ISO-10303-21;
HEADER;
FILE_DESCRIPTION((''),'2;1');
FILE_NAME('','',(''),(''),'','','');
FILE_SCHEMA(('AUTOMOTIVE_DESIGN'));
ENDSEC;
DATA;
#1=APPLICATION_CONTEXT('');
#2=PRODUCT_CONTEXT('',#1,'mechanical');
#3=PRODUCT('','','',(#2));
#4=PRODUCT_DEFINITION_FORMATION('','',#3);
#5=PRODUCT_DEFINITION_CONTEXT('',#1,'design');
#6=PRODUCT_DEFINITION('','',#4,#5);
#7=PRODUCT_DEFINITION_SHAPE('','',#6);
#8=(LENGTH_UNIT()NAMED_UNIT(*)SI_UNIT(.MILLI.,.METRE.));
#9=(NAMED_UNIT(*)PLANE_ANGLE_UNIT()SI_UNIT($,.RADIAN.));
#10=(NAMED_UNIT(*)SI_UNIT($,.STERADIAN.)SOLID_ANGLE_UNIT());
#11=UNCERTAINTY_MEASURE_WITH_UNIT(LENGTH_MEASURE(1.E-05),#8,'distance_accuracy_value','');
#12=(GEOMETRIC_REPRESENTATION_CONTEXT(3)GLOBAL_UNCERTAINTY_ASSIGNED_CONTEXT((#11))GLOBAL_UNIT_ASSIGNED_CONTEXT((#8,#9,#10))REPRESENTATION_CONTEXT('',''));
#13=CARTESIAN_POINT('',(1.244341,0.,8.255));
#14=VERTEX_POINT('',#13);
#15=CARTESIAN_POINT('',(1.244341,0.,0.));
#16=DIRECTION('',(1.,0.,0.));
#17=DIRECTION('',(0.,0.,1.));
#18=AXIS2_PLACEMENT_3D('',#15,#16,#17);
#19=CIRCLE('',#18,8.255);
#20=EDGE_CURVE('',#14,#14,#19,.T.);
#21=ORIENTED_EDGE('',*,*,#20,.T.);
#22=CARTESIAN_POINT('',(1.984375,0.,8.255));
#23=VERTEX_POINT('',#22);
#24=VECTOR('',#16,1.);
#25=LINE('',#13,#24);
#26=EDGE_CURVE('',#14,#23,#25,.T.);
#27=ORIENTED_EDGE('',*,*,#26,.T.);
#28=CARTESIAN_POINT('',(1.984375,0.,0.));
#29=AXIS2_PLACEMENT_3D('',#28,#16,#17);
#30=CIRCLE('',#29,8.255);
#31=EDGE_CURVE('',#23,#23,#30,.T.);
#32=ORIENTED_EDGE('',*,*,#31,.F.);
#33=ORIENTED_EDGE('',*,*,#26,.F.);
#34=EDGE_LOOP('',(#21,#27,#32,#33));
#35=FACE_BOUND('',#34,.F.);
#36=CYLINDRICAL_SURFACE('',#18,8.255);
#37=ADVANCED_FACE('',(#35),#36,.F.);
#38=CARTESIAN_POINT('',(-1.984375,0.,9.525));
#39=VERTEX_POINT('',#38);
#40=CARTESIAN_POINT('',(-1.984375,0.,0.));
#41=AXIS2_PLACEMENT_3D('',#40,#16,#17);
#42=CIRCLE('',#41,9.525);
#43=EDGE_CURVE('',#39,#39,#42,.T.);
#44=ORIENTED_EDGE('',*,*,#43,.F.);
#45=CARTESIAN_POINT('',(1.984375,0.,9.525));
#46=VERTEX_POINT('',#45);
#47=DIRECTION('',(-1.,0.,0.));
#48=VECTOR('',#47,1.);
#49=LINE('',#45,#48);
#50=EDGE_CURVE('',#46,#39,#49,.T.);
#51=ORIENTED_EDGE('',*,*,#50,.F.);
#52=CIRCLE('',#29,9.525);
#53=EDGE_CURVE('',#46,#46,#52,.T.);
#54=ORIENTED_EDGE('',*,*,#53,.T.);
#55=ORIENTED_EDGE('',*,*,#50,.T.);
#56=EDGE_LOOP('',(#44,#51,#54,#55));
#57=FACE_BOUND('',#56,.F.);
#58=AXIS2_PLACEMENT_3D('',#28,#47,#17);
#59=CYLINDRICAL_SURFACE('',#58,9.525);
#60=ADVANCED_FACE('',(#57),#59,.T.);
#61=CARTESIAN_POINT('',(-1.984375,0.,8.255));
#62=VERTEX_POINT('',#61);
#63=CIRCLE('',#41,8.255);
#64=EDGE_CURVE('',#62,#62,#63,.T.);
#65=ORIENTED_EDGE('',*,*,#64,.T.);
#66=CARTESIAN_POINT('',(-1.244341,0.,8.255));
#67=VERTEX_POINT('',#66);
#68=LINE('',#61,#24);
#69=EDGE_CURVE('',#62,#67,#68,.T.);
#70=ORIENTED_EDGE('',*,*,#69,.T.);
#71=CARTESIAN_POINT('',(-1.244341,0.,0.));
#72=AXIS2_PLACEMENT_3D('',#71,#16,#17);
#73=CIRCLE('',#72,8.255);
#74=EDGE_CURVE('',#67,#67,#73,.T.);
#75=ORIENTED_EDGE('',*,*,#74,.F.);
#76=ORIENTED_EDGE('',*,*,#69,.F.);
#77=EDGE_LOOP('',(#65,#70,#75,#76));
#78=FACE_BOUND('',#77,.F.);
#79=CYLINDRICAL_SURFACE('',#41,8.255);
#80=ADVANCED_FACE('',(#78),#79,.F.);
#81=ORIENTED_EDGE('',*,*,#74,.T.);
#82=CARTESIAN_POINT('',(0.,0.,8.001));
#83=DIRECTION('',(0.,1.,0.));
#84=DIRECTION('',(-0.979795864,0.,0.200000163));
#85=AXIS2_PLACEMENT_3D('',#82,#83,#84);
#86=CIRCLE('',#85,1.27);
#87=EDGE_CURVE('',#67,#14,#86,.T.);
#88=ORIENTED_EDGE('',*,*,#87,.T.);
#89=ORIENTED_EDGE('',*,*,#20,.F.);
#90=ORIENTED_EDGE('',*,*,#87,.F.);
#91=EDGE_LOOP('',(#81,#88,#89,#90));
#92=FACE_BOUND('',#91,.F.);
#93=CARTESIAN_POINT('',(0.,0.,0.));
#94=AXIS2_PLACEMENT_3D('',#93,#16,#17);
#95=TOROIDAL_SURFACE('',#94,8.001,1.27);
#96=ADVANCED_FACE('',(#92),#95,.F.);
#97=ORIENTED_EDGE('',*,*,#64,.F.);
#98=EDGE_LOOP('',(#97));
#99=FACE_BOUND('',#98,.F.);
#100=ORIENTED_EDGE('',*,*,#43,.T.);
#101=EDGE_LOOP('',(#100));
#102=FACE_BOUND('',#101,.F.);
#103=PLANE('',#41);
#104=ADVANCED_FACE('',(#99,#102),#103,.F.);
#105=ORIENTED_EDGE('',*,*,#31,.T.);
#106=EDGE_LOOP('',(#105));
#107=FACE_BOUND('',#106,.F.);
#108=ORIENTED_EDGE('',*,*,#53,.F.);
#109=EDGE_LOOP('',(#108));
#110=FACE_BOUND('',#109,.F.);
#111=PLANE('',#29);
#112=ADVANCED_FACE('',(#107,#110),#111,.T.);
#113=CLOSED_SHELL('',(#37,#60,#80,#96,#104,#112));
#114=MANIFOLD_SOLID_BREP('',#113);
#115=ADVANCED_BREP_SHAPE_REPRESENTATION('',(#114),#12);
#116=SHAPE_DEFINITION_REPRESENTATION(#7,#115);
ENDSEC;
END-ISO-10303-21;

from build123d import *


with BuildPart() as f1:
    # F0 (on Front) → F1 (revolve)
    with BuildSketch(Plane.XZ):
        with BuildLine():
            Line((1.984375, 9.525), (-1.984375, 9.525))
            Line((-1.984375, 9.525), (-1.984375, 8.255))
            Line((-1.984375, 8.255), (-1.244341, 8.255))
            ThreePointArc((-1.244341, 8.255), (0, 9.271), (1.244341, 8.255))
            Line((1.244341, 8.255), (1.984375, 8.255))
            Line((1.984375, 8.255), (1.984375, 9.525))
        make_face()
    revolve(axis=Axis((1.690729, 0, 0), (1, 0, 0)))


solid = f1.part
